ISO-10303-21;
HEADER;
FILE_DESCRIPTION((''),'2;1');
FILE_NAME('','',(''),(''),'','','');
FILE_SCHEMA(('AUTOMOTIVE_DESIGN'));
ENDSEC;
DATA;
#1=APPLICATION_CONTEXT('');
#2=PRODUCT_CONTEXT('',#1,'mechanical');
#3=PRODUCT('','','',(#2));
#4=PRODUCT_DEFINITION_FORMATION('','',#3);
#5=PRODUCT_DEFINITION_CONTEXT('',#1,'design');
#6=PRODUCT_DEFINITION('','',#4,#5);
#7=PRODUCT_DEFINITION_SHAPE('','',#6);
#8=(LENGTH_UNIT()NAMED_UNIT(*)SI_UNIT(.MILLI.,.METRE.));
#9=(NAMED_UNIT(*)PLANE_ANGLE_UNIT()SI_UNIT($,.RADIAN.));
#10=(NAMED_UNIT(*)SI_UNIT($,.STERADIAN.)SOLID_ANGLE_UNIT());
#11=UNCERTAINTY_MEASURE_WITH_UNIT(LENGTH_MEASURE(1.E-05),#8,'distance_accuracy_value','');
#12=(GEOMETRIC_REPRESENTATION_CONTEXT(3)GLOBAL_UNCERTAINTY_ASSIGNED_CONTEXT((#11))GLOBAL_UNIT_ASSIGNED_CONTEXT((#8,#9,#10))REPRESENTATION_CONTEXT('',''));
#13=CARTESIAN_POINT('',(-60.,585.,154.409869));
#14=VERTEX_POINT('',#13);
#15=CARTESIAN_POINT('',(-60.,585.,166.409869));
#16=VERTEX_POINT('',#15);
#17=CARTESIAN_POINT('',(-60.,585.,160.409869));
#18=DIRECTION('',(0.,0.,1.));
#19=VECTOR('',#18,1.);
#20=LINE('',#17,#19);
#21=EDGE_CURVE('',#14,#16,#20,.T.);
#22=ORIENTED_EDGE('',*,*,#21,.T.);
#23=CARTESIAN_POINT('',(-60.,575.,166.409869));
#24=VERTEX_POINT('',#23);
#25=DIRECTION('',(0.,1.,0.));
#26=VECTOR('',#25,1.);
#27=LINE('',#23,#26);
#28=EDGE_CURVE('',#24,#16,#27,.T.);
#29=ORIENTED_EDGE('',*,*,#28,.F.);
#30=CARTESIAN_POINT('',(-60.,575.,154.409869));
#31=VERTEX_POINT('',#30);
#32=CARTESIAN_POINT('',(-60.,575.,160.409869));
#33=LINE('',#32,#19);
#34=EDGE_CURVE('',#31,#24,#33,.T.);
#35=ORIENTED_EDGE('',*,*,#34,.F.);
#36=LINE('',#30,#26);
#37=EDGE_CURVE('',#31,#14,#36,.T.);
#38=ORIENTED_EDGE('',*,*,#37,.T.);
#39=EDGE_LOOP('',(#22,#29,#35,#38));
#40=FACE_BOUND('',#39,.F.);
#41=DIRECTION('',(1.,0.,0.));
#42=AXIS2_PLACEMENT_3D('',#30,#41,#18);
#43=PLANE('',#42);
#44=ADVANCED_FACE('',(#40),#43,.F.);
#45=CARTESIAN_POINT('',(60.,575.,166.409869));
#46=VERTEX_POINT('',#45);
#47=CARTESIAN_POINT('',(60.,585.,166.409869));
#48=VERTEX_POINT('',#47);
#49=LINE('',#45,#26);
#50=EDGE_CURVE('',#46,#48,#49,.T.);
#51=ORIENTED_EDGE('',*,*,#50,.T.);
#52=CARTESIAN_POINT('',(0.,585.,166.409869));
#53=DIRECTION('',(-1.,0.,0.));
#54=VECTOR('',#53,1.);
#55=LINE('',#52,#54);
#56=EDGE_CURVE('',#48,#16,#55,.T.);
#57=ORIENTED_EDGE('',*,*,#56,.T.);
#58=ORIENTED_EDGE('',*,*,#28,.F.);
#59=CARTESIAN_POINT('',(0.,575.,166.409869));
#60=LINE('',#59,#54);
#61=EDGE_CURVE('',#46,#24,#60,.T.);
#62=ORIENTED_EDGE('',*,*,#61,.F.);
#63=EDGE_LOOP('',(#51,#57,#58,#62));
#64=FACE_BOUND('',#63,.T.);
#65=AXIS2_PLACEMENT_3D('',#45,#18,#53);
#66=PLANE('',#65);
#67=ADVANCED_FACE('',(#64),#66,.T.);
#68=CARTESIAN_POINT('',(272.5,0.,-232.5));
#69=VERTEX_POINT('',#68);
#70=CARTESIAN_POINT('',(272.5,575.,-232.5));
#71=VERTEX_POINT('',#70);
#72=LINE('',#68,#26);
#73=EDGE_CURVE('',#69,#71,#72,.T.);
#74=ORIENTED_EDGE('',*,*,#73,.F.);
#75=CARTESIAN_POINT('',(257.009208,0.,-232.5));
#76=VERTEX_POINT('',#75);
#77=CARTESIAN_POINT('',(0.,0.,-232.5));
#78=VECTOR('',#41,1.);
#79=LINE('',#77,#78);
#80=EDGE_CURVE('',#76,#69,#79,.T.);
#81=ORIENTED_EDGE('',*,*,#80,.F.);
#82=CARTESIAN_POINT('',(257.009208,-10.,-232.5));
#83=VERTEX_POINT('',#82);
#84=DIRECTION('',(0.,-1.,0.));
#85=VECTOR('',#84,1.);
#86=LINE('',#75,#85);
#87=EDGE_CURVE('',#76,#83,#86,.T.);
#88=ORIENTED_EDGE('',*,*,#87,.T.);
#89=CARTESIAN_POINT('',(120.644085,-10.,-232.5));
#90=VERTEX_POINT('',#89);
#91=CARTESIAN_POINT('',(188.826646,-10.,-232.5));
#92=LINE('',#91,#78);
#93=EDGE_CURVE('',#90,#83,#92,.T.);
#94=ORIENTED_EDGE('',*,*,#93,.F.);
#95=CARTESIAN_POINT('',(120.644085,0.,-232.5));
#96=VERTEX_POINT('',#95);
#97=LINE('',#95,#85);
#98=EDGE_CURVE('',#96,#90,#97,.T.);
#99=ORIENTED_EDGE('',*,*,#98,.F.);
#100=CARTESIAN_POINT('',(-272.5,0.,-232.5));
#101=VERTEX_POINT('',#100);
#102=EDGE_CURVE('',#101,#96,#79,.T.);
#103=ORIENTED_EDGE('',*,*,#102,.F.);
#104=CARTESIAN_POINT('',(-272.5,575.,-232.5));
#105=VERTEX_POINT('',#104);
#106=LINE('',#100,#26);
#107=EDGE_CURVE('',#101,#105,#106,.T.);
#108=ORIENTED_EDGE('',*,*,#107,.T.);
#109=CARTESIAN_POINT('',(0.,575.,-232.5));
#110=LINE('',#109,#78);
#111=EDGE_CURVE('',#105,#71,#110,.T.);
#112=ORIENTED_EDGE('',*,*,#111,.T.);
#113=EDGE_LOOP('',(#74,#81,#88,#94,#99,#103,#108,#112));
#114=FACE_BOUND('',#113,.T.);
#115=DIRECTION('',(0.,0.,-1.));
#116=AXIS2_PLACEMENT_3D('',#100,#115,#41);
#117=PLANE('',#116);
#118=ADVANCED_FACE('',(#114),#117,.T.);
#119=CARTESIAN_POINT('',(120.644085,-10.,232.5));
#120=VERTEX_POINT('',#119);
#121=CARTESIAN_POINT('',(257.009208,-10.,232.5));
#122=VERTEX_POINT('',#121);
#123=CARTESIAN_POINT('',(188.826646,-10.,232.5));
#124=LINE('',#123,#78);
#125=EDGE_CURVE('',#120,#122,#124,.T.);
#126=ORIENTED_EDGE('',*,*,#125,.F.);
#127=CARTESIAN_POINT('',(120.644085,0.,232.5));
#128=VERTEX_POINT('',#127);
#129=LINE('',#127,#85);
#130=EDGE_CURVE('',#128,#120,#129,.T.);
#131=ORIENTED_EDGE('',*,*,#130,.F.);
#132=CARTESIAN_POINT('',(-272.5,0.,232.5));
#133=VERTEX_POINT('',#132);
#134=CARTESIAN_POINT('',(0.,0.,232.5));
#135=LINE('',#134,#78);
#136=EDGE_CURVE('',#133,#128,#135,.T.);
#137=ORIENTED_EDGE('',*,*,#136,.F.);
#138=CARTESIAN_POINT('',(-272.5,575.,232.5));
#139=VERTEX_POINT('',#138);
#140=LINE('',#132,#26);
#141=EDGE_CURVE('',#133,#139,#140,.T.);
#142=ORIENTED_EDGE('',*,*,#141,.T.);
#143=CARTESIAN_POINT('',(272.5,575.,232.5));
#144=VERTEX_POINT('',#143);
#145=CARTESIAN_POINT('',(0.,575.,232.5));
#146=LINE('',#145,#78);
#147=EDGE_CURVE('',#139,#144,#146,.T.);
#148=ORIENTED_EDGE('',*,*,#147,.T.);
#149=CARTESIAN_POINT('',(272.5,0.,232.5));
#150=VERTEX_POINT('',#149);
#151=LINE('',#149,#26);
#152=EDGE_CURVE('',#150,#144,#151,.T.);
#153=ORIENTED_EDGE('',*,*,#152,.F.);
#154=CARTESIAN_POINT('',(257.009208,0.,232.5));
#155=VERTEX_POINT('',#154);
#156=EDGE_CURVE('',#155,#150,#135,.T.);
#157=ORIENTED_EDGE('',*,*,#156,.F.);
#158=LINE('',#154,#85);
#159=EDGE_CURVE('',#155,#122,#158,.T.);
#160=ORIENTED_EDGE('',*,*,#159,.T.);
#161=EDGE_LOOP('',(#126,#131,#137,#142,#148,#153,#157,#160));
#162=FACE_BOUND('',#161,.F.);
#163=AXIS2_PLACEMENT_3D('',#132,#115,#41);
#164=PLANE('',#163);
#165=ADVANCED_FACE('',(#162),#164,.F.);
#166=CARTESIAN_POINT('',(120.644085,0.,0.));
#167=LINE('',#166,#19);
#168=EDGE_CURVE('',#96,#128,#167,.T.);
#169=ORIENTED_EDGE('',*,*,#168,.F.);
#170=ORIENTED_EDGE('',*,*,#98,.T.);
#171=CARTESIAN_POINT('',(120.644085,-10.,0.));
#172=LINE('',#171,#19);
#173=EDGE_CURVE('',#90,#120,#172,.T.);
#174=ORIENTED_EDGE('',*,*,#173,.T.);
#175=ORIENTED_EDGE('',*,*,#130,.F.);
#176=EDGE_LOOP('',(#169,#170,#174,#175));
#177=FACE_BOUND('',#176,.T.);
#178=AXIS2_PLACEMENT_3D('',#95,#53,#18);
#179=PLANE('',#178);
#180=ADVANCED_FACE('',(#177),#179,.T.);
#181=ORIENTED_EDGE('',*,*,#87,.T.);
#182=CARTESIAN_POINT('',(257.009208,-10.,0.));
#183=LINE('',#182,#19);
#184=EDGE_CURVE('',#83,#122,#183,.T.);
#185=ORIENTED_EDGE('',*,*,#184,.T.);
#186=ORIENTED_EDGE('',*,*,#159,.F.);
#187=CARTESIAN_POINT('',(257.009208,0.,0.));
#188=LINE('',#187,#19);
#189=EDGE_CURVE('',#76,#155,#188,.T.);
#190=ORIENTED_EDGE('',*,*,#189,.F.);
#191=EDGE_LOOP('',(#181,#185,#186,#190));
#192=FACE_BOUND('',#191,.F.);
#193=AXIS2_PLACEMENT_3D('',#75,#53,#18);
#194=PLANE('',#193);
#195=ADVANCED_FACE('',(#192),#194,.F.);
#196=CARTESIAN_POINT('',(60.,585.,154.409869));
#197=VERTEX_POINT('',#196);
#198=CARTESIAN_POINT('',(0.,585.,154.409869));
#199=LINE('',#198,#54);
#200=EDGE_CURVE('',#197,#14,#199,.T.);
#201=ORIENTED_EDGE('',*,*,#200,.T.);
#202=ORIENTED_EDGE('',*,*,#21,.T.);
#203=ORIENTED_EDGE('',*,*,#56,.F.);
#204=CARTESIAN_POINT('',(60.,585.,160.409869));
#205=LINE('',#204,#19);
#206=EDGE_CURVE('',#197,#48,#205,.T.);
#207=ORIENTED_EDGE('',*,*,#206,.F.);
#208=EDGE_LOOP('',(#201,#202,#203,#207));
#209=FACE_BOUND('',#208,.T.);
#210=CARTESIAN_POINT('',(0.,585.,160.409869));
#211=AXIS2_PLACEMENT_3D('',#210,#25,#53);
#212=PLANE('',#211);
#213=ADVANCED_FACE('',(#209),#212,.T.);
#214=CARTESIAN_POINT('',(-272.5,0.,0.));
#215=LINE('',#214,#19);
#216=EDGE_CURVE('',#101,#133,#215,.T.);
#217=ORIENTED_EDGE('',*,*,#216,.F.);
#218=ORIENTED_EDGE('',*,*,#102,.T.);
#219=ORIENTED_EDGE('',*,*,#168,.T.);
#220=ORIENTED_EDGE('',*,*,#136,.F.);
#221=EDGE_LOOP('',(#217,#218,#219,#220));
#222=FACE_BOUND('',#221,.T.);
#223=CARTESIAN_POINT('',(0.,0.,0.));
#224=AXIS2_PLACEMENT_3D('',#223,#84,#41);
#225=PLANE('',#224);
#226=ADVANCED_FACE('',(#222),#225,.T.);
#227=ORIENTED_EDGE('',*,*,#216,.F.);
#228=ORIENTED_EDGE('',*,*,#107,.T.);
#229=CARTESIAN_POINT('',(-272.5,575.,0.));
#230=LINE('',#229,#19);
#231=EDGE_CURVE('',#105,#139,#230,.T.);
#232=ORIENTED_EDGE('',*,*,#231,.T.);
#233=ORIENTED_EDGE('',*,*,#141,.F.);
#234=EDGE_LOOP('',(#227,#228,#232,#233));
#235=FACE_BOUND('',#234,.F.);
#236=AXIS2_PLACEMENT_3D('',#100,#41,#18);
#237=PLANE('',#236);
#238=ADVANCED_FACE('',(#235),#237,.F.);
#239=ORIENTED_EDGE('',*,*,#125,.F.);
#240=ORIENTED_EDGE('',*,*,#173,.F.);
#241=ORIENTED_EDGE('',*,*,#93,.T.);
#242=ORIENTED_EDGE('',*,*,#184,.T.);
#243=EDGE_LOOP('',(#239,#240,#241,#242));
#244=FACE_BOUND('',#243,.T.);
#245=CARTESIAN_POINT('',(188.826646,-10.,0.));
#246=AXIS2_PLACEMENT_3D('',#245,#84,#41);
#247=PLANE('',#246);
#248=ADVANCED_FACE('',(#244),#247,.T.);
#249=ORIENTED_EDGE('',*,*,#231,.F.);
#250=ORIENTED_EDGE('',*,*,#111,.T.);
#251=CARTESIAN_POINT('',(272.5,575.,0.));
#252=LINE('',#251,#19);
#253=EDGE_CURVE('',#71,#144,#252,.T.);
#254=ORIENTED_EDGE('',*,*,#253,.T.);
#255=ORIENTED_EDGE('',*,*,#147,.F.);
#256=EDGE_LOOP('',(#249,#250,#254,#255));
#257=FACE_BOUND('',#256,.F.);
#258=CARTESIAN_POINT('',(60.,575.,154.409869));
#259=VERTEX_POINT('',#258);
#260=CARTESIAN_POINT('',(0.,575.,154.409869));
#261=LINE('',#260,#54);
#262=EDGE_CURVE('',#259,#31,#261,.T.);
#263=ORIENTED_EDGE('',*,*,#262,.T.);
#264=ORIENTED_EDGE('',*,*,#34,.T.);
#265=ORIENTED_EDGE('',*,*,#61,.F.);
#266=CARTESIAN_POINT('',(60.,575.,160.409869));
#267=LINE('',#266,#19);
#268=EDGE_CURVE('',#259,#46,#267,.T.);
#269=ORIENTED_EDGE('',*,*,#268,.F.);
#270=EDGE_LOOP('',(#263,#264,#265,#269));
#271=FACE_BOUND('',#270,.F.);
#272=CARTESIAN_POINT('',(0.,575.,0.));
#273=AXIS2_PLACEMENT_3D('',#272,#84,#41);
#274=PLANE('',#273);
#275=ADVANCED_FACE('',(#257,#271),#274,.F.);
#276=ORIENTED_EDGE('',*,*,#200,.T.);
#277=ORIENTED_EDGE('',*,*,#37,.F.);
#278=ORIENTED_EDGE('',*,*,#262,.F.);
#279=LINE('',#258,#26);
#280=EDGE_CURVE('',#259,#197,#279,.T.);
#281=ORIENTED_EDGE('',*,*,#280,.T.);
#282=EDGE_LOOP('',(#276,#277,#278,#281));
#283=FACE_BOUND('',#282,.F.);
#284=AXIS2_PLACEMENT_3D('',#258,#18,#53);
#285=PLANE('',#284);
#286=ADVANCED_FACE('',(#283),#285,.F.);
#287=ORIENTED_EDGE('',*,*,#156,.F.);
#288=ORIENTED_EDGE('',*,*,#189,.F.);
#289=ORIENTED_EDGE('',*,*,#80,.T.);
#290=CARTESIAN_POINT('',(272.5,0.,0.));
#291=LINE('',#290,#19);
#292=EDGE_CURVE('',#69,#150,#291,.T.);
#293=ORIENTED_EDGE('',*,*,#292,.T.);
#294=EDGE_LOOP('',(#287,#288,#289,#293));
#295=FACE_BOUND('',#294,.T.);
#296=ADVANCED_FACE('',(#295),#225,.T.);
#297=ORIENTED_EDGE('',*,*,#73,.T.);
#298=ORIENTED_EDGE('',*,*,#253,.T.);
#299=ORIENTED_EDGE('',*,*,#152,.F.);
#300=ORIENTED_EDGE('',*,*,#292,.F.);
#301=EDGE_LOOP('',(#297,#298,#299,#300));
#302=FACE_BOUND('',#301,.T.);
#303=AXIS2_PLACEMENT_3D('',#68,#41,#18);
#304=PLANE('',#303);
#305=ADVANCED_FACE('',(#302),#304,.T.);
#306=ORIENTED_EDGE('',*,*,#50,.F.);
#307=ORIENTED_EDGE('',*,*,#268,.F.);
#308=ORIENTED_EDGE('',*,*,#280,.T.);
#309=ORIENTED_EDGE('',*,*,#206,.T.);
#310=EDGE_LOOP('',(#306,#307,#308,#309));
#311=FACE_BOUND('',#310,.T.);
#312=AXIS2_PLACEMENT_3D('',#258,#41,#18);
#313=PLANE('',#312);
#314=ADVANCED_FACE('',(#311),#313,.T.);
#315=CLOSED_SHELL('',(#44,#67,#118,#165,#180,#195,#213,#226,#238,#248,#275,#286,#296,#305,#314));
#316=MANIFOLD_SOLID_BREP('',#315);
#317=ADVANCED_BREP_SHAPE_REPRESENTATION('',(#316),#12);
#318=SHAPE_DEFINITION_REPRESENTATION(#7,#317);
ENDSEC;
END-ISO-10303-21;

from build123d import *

# Parameters (mm, degrees)
F0_W     = 545
F0_H     = 465
F1_DEPTH = 575
F2_W     = 120
F2_H     = 12
F3_DEPTH = 10
F4_W     = 136.365123
F4_H     = 465
F5_DEPTH = 10


with BuildPart() as f1:
    # F0 (on Front) → F1 (new body)
    with BuildSketch(Plane.XZ):
        Rectangle(F0_W, F0_H)
    extrude(amount=-F1_DEPTH)

    # F2 (on face) → F3 (join)
    with BuildSketch(Plane(origin=(0, 575, 0), x_dir=(-1, 0, 0), z_dir=(0, 1, 0))):
        with Locations((0, 160.409869)):
            Rectangle(F2_W, F2_H)
    extrude(amount=F3_DEPTH)

    # F4 (on face) → F5 (join)
    with BuildSketch(Plane.XZ):
        with Locations((188.826646, 0)):
            Rectangle(F4_W, F4_H)
    extrude(amount=F5_DEPTH)


solid = f1.part
